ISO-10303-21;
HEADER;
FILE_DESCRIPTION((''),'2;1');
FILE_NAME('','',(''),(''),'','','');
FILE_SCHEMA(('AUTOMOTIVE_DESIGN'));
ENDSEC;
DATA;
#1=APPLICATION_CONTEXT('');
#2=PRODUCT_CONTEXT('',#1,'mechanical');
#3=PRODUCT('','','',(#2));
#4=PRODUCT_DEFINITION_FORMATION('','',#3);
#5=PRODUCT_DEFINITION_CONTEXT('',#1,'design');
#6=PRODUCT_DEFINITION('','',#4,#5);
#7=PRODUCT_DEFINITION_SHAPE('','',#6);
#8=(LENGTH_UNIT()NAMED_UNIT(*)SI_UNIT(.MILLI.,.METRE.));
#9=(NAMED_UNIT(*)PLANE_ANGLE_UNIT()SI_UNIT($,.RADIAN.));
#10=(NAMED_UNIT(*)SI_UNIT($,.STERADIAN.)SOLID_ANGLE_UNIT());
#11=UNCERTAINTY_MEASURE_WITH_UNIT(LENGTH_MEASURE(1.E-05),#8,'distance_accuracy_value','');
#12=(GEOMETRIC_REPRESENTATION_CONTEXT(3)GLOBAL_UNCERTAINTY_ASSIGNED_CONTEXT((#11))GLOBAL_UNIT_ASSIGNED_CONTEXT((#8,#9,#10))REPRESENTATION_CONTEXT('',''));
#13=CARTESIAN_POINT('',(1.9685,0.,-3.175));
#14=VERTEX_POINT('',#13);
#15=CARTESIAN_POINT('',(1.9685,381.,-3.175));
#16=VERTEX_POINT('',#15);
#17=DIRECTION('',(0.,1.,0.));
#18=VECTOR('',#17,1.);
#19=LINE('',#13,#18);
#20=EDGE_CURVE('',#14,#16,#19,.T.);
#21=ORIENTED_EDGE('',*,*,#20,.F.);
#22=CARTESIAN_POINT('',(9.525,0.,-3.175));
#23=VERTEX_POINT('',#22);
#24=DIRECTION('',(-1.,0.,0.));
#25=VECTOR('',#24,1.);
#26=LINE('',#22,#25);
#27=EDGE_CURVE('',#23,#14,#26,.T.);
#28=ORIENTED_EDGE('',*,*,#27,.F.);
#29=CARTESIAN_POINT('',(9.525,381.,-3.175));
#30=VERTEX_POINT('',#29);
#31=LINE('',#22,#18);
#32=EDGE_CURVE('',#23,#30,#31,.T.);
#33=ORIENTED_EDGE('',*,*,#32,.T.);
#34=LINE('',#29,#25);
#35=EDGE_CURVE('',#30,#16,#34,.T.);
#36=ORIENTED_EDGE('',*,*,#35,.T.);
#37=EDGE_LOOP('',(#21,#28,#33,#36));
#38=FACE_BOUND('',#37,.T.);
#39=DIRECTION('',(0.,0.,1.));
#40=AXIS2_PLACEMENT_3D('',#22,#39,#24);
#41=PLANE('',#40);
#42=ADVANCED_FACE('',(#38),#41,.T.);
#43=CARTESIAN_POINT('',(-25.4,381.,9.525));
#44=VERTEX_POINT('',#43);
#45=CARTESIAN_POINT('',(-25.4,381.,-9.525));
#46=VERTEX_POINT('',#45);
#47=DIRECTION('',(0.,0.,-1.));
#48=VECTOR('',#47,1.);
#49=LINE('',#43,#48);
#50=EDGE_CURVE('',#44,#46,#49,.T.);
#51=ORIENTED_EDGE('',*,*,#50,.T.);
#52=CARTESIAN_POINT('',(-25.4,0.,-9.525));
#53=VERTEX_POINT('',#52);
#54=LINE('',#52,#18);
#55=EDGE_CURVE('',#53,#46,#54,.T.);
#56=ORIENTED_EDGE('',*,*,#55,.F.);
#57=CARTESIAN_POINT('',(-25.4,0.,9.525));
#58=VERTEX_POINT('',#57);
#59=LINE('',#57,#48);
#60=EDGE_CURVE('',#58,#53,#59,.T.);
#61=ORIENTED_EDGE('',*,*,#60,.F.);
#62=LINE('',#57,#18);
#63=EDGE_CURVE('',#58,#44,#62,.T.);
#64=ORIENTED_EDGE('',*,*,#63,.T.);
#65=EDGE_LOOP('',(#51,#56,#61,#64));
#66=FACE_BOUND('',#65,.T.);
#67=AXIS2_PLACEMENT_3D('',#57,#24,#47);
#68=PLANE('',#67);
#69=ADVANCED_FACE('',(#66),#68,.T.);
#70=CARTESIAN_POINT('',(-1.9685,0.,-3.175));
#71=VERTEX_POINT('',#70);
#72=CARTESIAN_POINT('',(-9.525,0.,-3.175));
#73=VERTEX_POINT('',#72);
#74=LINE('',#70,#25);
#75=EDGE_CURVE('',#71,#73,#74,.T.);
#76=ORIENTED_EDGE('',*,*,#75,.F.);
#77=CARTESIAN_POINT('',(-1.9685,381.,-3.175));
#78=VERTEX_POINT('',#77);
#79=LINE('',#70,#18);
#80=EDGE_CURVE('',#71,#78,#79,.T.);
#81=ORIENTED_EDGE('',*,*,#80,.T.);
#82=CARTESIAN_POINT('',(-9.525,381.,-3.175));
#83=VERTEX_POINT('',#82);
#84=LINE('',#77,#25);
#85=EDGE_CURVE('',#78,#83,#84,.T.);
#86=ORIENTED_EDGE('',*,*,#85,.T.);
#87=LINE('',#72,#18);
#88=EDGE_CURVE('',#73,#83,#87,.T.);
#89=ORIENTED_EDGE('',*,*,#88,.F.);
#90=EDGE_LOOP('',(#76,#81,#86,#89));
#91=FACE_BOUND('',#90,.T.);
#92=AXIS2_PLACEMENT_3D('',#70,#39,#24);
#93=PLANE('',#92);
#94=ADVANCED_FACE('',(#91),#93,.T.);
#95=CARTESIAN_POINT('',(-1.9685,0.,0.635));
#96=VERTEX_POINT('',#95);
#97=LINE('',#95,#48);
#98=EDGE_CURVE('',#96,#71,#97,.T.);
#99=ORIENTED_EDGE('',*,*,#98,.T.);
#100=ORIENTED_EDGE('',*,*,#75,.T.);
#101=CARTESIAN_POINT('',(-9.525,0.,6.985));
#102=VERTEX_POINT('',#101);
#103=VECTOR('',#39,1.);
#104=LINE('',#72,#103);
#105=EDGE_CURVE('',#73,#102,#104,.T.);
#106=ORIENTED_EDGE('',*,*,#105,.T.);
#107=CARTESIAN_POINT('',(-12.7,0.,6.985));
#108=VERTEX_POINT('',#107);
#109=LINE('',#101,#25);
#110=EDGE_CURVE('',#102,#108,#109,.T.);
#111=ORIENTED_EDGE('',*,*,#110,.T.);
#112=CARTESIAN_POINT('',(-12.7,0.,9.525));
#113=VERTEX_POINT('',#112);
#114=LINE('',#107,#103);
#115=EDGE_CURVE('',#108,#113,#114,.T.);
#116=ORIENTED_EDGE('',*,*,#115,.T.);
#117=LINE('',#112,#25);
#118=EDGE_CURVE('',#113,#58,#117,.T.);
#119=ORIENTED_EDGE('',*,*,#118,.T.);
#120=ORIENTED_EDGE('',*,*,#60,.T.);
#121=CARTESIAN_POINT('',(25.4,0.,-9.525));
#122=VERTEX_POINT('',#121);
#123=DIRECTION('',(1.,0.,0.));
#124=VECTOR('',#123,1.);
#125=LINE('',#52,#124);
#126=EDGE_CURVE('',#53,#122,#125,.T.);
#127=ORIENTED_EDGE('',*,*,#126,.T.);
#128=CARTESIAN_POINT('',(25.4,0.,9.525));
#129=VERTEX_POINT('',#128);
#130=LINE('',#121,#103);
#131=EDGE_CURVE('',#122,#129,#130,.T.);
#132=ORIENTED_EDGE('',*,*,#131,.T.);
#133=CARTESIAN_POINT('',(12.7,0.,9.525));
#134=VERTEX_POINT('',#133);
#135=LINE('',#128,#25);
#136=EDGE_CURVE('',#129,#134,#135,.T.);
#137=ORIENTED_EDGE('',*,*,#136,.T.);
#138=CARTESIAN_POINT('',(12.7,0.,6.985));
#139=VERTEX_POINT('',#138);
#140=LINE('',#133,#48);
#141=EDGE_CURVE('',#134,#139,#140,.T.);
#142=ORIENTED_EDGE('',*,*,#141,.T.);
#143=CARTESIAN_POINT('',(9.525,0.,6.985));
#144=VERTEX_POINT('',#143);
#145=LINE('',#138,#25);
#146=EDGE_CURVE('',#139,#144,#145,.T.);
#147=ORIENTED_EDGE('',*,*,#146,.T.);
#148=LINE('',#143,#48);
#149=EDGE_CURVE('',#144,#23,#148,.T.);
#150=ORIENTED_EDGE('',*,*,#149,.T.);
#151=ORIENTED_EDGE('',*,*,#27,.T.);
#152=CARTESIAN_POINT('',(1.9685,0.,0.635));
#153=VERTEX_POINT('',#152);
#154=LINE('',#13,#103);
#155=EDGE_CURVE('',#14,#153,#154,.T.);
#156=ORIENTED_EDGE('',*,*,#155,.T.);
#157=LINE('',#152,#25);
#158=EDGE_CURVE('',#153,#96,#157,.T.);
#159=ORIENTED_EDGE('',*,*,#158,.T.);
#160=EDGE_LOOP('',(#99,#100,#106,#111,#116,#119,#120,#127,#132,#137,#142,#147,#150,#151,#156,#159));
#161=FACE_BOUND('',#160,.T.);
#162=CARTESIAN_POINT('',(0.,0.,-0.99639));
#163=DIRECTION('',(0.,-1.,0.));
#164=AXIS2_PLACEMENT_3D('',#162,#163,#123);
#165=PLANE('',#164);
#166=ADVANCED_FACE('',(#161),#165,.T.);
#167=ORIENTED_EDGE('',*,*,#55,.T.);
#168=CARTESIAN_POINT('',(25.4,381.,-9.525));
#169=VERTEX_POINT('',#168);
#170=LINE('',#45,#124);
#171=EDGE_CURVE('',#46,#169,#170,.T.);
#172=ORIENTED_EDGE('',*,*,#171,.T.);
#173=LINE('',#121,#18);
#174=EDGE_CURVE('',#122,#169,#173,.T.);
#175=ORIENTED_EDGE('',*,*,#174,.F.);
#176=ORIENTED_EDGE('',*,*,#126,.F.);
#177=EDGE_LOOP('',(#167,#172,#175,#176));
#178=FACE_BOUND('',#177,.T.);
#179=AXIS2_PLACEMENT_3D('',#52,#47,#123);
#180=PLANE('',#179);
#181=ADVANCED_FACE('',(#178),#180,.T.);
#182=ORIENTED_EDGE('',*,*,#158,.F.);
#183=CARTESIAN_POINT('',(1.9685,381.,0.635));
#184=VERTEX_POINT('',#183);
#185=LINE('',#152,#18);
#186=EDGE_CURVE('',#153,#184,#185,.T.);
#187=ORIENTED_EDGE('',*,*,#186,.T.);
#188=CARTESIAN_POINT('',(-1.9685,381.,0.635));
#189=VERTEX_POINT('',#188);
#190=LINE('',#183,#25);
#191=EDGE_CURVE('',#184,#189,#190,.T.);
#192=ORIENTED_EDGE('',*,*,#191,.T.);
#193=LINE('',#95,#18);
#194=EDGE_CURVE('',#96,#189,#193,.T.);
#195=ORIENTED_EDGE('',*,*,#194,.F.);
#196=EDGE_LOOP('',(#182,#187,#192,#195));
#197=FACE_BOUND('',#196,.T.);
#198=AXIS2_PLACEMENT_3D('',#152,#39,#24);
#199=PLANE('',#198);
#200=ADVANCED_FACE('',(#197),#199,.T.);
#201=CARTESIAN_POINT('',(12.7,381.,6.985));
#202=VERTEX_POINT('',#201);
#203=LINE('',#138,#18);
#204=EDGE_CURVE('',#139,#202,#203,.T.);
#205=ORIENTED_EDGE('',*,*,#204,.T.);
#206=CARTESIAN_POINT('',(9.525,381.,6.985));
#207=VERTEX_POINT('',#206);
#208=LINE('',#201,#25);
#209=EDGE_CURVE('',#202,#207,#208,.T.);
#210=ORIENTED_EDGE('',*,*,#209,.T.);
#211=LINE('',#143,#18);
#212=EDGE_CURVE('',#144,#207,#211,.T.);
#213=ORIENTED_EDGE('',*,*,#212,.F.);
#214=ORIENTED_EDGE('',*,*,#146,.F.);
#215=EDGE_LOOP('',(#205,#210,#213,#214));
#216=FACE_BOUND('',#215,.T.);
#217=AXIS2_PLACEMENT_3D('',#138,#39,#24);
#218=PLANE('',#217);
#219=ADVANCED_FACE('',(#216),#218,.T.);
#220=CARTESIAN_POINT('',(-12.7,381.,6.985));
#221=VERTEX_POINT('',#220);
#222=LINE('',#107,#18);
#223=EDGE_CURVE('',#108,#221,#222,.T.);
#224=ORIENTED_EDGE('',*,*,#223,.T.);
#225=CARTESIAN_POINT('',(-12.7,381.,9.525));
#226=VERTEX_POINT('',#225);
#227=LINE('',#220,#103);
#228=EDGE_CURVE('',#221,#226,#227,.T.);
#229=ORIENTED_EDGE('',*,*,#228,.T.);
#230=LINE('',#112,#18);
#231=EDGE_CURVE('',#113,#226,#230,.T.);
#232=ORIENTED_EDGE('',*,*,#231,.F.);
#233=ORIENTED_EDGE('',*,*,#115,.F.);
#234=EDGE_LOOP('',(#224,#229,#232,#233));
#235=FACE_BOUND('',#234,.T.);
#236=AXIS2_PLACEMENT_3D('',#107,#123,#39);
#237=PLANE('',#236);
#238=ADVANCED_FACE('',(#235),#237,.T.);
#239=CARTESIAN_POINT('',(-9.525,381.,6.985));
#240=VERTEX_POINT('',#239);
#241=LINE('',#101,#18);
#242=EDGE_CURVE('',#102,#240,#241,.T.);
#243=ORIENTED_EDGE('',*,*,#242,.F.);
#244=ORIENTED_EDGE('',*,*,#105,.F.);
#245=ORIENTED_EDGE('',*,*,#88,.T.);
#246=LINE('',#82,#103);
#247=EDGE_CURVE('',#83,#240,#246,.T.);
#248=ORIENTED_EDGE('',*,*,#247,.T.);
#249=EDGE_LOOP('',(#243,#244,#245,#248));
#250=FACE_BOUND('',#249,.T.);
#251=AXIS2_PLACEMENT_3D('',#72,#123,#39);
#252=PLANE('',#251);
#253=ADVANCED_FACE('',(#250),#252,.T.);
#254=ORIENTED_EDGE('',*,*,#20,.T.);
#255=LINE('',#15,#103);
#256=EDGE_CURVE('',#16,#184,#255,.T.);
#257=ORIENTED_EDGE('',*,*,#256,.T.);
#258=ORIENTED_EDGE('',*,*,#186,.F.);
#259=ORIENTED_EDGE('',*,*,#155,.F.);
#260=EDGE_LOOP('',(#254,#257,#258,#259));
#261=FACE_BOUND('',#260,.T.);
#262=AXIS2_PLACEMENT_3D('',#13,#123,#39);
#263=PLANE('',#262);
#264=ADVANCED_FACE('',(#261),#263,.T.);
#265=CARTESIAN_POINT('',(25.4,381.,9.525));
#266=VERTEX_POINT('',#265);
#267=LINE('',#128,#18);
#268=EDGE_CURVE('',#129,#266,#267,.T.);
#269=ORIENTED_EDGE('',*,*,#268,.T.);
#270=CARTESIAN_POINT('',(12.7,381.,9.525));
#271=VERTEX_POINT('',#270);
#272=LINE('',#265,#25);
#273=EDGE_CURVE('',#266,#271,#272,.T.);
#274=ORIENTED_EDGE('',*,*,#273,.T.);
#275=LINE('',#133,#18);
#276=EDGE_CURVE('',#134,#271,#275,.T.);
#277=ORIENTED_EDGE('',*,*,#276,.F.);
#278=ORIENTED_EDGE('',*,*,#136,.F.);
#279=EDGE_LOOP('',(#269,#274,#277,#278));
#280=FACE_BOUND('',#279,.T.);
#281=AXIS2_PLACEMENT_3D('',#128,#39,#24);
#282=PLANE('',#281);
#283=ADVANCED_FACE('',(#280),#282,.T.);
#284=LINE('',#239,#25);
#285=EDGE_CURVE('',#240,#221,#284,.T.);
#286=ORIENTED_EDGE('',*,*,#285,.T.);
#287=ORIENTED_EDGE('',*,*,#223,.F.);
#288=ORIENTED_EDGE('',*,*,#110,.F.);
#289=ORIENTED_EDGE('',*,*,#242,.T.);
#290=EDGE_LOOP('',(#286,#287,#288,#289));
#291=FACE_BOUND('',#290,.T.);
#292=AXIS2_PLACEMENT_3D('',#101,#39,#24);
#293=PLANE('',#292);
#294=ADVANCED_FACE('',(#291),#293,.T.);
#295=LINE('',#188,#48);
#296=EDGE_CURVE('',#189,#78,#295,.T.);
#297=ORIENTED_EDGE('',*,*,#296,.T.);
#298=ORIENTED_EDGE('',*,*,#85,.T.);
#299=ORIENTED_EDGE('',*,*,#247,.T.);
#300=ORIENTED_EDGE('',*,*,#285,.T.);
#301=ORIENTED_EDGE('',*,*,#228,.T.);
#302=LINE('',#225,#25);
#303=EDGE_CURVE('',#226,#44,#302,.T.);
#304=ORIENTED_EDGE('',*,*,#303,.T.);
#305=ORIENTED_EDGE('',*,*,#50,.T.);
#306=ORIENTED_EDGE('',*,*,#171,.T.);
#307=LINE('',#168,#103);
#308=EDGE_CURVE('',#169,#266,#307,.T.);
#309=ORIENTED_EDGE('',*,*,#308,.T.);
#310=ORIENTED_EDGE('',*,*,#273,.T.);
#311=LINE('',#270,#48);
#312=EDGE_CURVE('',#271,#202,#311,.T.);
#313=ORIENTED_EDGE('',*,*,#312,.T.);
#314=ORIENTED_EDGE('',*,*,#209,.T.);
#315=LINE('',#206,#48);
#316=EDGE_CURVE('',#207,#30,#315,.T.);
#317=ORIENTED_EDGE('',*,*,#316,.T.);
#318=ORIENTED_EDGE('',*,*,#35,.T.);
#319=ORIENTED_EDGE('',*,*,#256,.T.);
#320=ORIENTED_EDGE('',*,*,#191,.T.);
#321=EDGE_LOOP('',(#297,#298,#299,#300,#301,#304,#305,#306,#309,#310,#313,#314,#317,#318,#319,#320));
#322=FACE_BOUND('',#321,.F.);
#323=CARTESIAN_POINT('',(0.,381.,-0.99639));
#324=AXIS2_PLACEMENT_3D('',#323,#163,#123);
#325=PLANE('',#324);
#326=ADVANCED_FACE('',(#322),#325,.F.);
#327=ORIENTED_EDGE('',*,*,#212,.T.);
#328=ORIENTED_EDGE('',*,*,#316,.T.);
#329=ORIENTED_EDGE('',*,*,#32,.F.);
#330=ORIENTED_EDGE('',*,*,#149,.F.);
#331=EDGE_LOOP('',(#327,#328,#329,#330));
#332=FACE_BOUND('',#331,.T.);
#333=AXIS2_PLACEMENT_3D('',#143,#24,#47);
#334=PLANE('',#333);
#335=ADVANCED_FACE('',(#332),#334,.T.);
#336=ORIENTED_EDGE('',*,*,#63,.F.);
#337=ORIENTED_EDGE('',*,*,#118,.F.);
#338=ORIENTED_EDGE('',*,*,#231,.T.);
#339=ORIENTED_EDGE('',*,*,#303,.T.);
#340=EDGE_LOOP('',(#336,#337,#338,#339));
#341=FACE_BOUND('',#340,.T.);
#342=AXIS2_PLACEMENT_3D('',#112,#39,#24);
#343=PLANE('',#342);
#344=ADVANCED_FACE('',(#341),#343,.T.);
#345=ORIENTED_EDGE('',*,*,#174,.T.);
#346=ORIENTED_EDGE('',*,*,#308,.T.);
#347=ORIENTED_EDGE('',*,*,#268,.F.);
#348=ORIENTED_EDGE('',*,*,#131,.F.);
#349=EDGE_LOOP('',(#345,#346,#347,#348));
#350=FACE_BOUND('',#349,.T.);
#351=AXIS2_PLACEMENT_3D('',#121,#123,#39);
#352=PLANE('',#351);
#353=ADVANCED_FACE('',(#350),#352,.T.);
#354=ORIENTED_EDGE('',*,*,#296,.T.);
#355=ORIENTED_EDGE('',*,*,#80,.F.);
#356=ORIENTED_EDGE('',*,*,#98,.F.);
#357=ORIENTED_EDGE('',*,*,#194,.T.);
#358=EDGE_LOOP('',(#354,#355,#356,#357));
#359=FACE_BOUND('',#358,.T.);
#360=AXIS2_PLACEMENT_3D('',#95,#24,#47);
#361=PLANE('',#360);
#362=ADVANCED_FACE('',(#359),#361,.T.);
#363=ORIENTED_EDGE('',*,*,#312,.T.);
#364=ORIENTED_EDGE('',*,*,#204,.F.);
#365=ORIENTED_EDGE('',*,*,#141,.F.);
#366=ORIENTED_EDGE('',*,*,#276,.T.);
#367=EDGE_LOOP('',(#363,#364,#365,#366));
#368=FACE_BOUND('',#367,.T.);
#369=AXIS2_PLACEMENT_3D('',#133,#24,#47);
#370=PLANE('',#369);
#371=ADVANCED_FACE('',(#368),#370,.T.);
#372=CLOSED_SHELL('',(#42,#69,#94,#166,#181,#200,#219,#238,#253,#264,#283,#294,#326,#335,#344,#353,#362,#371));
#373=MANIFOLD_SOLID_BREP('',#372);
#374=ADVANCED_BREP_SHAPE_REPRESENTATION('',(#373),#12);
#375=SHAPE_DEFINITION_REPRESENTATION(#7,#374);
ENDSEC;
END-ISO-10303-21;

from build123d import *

# Parameters (mm, degrees)
F1_DEPTH = 381


with BuildPart() as f1:
    # F0 (on Front) → F1 (new body)
    with BuildSketch(Plane.XZ):
        Polygon((25.4, -9.525), (25.4, 9.525), (12.7, 9.525), (12.7, 6.985), (9.525, 6.985), (9.525, -3.175), (1.9685, -3.175), (1.9685, 0.635), (-1.9685, 0.635), (-1.9685, -3.175), (-9.525, -3.175), (-9.525, 6.985), (-12.7, 6.985), (-12.7, 9.525), (-25.4, 9.525), (-25.4, -9.525), align=None)
    extrude(amount=-F1_DEPTH)


solid = f1.part
